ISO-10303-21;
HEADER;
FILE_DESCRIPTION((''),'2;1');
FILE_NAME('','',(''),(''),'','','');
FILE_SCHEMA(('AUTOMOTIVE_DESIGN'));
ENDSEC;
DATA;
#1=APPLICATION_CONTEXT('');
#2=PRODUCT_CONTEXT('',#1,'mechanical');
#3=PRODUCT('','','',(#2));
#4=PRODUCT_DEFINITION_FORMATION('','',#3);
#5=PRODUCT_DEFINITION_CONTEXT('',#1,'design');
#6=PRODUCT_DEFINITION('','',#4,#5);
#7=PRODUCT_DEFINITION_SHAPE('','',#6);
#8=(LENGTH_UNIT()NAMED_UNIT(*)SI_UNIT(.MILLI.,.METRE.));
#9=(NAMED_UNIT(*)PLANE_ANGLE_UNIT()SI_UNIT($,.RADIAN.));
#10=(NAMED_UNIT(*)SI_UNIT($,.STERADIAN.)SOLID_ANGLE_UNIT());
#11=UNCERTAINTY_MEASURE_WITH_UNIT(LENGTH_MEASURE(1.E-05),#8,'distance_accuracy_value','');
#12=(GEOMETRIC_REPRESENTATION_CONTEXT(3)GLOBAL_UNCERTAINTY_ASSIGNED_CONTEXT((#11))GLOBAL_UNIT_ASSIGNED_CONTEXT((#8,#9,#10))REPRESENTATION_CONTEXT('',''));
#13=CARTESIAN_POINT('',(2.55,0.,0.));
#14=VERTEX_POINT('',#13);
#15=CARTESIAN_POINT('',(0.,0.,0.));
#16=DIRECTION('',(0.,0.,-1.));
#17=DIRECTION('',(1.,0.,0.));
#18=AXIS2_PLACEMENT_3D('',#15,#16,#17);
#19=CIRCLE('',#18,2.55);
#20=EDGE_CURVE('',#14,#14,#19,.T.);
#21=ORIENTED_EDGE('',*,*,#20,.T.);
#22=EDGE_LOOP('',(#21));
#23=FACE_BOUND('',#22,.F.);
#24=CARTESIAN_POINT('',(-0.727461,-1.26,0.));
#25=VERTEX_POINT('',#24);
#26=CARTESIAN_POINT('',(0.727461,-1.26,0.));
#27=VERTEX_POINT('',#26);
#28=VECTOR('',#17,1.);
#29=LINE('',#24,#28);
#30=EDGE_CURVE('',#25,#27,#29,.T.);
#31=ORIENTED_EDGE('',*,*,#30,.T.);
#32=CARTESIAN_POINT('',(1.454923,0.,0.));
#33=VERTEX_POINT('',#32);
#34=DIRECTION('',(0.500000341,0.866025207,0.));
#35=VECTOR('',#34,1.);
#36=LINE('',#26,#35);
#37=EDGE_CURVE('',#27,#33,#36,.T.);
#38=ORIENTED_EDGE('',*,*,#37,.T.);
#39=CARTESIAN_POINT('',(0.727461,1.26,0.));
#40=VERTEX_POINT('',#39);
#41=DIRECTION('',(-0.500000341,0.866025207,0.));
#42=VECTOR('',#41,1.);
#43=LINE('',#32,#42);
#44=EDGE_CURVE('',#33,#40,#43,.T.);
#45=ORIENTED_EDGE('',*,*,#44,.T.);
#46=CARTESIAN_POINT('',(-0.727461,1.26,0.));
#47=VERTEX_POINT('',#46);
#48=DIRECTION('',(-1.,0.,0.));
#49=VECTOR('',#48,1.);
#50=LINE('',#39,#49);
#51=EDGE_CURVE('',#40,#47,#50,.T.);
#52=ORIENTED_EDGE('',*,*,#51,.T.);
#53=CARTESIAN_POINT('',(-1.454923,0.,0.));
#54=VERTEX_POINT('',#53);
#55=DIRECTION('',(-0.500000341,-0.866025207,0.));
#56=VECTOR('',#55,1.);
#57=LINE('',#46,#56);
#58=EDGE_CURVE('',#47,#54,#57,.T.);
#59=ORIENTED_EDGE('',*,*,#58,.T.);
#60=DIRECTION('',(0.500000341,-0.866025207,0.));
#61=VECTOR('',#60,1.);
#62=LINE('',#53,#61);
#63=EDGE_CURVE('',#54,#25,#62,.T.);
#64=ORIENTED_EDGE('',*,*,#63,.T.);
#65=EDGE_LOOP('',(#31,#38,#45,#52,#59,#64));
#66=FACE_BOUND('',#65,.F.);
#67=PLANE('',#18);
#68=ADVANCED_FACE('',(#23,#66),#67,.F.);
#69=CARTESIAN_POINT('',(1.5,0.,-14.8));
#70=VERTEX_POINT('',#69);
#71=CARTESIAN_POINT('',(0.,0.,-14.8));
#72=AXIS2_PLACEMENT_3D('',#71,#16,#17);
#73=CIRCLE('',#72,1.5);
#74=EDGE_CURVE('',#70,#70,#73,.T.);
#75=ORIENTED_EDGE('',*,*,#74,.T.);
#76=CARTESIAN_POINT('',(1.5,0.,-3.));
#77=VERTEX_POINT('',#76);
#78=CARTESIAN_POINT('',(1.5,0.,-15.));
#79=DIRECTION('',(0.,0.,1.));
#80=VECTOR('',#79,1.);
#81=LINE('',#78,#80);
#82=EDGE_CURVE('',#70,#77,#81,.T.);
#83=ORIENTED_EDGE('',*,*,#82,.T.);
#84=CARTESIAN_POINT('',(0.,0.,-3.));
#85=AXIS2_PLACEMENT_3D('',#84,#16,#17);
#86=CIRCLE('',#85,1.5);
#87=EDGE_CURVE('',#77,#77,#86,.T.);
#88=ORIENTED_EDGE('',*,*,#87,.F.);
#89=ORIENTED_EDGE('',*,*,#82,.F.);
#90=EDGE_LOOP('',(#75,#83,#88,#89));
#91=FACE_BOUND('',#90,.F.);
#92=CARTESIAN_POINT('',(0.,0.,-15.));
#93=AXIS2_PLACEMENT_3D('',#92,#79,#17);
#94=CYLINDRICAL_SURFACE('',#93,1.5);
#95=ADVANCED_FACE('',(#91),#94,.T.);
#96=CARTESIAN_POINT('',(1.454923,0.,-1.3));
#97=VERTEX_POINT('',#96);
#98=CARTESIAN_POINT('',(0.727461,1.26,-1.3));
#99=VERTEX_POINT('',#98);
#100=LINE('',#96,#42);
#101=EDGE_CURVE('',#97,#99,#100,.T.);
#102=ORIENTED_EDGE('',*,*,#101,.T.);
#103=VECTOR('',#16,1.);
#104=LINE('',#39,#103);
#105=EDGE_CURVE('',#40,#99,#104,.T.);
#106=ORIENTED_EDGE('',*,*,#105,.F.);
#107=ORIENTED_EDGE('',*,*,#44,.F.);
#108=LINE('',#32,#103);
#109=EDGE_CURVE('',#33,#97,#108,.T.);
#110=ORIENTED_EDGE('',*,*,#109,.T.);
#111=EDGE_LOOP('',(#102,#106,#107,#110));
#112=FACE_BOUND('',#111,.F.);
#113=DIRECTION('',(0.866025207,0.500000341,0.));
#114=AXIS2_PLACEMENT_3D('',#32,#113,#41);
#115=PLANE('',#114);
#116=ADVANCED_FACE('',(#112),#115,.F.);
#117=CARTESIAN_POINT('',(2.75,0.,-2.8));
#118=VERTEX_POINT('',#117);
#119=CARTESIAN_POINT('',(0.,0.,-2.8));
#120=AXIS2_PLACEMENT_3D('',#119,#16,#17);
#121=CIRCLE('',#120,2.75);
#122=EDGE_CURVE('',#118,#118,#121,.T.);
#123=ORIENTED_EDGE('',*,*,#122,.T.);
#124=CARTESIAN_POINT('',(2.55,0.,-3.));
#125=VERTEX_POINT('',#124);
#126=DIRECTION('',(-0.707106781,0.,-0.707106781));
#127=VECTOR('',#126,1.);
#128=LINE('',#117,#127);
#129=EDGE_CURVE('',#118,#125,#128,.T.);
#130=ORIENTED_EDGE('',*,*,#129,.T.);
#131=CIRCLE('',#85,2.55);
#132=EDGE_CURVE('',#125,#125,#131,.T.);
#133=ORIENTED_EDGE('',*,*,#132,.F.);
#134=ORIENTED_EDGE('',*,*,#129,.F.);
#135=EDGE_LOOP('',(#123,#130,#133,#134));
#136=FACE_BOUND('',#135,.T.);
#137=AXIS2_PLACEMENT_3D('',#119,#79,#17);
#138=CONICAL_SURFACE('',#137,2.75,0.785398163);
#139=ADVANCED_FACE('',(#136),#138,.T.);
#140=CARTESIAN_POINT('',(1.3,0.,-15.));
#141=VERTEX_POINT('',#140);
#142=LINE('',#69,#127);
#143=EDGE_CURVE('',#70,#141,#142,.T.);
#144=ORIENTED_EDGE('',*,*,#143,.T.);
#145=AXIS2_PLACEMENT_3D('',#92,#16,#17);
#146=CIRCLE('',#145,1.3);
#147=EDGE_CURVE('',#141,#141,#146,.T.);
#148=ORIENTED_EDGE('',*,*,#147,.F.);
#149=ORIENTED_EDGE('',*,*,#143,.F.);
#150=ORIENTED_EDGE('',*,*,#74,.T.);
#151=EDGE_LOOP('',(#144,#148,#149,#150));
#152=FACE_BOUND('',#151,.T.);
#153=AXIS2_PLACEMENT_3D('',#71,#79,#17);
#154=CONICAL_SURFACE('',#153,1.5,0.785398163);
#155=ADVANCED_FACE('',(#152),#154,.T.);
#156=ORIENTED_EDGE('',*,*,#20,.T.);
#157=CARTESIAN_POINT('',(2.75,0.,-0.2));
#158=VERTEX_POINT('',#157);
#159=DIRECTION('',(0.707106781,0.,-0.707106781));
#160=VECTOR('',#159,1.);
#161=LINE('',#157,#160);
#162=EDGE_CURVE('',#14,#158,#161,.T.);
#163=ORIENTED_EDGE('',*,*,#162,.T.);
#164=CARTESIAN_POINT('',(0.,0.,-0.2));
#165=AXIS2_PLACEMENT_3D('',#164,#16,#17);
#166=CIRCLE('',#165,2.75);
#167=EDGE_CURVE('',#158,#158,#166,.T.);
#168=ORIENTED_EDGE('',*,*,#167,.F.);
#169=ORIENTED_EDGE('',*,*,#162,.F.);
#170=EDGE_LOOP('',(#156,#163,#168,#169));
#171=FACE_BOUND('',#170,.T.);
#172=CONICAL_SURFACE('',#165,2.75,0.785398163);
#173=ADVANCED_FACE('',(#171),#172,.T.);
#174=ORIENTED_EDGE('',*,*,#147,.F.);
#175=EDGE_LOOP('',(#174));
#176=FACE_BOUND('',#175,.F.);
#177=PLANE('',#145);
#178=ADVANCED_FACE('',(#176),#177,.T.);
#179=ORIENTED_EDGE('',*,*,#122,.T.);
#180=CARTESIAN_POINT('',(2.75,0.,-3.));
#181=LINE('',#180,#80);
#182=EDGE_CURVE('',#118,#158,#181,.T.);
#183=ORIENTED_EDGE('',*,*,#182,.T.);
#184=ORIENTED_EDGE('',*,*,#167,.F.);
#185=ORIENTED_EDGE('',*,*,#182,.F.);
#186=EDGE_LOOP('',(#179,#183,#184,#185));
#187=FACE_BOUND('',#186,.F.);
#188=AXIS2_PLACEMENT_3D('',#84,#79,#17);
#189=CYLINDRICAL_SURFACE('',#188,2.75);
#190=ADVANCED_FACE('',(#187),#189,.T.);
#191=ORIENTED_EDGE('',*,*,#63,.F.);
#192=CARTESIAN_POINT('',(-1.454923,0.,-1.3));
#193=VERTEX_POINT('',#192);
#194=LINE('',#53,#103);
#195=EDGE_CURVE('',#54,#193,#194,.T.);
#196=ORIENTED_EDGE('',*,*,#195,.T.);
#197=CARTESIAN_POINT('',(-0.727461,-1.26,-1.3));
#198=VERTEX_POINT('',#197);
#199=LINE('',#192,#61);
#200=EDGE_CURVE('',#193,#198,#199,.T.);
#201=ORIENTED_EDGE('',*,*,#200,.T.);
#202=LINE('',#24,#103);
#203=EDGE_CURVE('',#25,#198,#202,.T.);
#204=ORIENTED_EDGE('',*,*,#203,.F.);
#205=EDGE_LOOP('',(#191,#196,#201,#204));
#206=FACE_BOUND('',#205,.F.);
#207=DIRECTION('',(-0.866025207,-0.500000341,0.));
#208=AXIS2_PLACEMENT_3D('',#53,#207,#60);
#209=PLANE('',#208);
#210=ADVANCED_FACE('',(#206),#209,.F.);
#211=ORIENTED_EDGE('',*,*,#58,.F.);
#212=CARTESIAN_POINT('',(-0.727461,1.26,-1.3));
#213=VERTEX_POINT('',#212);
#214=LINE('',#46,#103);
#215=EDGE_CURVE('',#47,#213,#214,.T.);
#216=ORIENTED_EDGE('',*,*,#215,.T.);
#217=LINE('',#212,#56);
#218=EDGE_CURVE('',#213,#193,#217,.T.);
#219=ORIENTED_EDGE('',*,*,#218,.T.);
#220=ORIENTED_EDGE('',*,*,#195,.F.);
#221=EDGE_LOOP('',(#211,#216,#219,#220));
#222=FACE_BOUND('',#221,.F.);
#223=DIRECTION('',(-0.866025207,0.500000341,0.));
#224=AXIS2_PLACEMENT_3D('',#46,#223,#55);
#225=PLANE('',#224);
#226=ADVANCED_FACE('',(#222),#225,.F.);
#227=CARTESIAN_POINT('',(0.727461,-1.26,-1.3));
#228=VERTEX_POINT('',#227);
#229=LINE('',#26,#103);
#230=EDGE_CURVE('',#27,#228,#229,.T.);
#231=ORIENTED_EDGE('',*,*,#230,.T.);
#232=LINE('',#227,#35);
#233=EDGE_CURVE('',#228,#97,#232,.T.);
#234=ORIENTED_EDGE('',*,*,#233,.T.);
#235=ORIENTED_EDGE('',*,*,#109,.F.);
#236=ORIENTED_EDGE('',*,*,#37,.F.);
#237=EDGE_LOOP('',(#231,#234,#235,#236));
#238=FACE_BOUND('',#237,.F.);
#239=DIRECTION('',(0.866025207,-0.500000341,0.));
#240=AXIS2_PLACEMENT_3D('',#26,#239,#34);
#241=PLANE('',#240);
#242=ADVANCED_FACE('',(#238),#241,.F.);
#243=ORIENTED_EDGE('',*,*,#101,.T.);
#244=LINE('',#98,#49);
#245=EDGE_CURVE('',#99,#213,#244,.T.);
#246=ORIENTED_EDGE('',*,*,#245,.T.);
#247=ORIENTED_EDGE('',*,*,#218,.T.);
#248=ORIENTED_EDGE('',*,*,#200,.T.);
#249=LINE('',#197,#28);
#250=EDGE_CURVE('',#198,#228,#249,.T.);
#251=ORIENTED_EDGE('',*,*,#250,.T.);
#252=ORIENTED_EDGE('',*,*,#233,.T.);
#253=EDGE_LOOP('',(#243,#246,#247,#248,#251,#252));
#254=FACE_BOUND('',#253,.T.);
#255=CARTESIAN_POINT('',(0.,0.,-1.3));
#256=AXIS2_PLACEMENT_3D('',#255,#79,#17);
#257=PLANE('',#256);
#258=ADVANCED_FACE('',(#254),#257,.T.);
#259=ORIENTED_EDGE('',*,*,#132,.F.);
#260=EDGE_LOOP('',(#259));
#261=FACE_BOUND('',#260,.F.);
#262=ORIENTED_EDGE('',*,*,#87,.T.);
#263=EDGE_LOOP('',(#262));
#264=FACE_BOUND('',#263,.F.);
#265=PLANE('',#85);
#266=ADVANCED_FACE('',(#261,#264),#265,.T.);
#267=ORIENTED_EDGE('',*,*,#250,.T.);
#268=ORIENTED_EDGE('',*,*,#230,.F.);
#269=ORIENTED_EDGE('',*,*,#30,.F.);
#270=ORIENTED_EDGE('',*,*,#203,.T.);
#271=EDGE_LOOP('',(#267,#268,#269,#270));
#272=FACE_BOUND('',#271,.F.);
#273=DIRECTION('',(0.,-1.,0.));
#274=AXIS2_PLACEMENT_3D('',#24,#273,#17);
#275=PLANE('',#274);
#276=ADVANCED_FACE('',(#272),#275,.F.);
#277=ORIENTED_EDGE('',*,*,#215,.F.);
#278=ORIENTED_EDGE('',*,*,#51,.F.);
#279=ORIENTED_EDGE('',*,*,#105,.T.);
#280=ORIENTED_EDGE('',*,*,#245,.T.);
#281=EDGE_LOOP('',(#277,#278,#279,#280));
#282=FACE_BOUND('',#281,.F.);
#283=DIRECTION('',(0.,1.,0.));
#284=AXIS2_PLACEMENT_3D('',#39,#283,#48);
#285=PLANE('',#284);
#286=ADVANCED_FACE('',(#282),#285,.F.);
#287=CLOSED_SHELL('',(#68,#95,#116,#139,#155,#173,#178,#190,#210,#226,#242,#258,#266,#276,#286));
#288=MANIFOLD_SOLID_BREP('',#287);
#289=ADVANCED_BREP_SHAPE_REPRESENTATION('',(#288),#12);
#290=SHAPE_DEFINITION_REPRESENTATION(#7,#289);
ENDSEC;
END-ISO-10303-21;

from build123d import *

# Parameters (mm, degrees)
F3_DEPTH = 1.3
F4_SIZE  = 0.2


with BuildPart() as f1:
    # F0 (on Front) → F1 (revolve)
    with BuildSketch(Plane.XZ):
        Polygon((2.75, 0), (0, 0), (0, -15), (1.5, -15), (1.5, -3), (2.75, -3), align=None)
    revolve(axis=Axis((0, 0, -7.5), (0, 0, -1)))

    # F2 (on face) → F3 (cut)
    with BuildSketch(Plane.XY):
        Polygon((-1.454923, 0), (-0.727461, -1.26), (0.727461, -1.26), (1.454923, 0), (0.727461, 1.26), (-0.727461, 1.26), align=None)
    extrude(amount=-F3_DEPTH, mode=Mode.SUBTRACT)

    # F4
    f4_edges = [f1.edges().sort_by_distance(p)[0] for p in [
        (-2.75, 0, -3),
        (-2.75, 0, 0),
        (2.75, 0, -1.5),
        (-1.5, 0, -15),
    ]]
    chamfer(f4_edges, length=F4_SIZE)


solid = f1.part
